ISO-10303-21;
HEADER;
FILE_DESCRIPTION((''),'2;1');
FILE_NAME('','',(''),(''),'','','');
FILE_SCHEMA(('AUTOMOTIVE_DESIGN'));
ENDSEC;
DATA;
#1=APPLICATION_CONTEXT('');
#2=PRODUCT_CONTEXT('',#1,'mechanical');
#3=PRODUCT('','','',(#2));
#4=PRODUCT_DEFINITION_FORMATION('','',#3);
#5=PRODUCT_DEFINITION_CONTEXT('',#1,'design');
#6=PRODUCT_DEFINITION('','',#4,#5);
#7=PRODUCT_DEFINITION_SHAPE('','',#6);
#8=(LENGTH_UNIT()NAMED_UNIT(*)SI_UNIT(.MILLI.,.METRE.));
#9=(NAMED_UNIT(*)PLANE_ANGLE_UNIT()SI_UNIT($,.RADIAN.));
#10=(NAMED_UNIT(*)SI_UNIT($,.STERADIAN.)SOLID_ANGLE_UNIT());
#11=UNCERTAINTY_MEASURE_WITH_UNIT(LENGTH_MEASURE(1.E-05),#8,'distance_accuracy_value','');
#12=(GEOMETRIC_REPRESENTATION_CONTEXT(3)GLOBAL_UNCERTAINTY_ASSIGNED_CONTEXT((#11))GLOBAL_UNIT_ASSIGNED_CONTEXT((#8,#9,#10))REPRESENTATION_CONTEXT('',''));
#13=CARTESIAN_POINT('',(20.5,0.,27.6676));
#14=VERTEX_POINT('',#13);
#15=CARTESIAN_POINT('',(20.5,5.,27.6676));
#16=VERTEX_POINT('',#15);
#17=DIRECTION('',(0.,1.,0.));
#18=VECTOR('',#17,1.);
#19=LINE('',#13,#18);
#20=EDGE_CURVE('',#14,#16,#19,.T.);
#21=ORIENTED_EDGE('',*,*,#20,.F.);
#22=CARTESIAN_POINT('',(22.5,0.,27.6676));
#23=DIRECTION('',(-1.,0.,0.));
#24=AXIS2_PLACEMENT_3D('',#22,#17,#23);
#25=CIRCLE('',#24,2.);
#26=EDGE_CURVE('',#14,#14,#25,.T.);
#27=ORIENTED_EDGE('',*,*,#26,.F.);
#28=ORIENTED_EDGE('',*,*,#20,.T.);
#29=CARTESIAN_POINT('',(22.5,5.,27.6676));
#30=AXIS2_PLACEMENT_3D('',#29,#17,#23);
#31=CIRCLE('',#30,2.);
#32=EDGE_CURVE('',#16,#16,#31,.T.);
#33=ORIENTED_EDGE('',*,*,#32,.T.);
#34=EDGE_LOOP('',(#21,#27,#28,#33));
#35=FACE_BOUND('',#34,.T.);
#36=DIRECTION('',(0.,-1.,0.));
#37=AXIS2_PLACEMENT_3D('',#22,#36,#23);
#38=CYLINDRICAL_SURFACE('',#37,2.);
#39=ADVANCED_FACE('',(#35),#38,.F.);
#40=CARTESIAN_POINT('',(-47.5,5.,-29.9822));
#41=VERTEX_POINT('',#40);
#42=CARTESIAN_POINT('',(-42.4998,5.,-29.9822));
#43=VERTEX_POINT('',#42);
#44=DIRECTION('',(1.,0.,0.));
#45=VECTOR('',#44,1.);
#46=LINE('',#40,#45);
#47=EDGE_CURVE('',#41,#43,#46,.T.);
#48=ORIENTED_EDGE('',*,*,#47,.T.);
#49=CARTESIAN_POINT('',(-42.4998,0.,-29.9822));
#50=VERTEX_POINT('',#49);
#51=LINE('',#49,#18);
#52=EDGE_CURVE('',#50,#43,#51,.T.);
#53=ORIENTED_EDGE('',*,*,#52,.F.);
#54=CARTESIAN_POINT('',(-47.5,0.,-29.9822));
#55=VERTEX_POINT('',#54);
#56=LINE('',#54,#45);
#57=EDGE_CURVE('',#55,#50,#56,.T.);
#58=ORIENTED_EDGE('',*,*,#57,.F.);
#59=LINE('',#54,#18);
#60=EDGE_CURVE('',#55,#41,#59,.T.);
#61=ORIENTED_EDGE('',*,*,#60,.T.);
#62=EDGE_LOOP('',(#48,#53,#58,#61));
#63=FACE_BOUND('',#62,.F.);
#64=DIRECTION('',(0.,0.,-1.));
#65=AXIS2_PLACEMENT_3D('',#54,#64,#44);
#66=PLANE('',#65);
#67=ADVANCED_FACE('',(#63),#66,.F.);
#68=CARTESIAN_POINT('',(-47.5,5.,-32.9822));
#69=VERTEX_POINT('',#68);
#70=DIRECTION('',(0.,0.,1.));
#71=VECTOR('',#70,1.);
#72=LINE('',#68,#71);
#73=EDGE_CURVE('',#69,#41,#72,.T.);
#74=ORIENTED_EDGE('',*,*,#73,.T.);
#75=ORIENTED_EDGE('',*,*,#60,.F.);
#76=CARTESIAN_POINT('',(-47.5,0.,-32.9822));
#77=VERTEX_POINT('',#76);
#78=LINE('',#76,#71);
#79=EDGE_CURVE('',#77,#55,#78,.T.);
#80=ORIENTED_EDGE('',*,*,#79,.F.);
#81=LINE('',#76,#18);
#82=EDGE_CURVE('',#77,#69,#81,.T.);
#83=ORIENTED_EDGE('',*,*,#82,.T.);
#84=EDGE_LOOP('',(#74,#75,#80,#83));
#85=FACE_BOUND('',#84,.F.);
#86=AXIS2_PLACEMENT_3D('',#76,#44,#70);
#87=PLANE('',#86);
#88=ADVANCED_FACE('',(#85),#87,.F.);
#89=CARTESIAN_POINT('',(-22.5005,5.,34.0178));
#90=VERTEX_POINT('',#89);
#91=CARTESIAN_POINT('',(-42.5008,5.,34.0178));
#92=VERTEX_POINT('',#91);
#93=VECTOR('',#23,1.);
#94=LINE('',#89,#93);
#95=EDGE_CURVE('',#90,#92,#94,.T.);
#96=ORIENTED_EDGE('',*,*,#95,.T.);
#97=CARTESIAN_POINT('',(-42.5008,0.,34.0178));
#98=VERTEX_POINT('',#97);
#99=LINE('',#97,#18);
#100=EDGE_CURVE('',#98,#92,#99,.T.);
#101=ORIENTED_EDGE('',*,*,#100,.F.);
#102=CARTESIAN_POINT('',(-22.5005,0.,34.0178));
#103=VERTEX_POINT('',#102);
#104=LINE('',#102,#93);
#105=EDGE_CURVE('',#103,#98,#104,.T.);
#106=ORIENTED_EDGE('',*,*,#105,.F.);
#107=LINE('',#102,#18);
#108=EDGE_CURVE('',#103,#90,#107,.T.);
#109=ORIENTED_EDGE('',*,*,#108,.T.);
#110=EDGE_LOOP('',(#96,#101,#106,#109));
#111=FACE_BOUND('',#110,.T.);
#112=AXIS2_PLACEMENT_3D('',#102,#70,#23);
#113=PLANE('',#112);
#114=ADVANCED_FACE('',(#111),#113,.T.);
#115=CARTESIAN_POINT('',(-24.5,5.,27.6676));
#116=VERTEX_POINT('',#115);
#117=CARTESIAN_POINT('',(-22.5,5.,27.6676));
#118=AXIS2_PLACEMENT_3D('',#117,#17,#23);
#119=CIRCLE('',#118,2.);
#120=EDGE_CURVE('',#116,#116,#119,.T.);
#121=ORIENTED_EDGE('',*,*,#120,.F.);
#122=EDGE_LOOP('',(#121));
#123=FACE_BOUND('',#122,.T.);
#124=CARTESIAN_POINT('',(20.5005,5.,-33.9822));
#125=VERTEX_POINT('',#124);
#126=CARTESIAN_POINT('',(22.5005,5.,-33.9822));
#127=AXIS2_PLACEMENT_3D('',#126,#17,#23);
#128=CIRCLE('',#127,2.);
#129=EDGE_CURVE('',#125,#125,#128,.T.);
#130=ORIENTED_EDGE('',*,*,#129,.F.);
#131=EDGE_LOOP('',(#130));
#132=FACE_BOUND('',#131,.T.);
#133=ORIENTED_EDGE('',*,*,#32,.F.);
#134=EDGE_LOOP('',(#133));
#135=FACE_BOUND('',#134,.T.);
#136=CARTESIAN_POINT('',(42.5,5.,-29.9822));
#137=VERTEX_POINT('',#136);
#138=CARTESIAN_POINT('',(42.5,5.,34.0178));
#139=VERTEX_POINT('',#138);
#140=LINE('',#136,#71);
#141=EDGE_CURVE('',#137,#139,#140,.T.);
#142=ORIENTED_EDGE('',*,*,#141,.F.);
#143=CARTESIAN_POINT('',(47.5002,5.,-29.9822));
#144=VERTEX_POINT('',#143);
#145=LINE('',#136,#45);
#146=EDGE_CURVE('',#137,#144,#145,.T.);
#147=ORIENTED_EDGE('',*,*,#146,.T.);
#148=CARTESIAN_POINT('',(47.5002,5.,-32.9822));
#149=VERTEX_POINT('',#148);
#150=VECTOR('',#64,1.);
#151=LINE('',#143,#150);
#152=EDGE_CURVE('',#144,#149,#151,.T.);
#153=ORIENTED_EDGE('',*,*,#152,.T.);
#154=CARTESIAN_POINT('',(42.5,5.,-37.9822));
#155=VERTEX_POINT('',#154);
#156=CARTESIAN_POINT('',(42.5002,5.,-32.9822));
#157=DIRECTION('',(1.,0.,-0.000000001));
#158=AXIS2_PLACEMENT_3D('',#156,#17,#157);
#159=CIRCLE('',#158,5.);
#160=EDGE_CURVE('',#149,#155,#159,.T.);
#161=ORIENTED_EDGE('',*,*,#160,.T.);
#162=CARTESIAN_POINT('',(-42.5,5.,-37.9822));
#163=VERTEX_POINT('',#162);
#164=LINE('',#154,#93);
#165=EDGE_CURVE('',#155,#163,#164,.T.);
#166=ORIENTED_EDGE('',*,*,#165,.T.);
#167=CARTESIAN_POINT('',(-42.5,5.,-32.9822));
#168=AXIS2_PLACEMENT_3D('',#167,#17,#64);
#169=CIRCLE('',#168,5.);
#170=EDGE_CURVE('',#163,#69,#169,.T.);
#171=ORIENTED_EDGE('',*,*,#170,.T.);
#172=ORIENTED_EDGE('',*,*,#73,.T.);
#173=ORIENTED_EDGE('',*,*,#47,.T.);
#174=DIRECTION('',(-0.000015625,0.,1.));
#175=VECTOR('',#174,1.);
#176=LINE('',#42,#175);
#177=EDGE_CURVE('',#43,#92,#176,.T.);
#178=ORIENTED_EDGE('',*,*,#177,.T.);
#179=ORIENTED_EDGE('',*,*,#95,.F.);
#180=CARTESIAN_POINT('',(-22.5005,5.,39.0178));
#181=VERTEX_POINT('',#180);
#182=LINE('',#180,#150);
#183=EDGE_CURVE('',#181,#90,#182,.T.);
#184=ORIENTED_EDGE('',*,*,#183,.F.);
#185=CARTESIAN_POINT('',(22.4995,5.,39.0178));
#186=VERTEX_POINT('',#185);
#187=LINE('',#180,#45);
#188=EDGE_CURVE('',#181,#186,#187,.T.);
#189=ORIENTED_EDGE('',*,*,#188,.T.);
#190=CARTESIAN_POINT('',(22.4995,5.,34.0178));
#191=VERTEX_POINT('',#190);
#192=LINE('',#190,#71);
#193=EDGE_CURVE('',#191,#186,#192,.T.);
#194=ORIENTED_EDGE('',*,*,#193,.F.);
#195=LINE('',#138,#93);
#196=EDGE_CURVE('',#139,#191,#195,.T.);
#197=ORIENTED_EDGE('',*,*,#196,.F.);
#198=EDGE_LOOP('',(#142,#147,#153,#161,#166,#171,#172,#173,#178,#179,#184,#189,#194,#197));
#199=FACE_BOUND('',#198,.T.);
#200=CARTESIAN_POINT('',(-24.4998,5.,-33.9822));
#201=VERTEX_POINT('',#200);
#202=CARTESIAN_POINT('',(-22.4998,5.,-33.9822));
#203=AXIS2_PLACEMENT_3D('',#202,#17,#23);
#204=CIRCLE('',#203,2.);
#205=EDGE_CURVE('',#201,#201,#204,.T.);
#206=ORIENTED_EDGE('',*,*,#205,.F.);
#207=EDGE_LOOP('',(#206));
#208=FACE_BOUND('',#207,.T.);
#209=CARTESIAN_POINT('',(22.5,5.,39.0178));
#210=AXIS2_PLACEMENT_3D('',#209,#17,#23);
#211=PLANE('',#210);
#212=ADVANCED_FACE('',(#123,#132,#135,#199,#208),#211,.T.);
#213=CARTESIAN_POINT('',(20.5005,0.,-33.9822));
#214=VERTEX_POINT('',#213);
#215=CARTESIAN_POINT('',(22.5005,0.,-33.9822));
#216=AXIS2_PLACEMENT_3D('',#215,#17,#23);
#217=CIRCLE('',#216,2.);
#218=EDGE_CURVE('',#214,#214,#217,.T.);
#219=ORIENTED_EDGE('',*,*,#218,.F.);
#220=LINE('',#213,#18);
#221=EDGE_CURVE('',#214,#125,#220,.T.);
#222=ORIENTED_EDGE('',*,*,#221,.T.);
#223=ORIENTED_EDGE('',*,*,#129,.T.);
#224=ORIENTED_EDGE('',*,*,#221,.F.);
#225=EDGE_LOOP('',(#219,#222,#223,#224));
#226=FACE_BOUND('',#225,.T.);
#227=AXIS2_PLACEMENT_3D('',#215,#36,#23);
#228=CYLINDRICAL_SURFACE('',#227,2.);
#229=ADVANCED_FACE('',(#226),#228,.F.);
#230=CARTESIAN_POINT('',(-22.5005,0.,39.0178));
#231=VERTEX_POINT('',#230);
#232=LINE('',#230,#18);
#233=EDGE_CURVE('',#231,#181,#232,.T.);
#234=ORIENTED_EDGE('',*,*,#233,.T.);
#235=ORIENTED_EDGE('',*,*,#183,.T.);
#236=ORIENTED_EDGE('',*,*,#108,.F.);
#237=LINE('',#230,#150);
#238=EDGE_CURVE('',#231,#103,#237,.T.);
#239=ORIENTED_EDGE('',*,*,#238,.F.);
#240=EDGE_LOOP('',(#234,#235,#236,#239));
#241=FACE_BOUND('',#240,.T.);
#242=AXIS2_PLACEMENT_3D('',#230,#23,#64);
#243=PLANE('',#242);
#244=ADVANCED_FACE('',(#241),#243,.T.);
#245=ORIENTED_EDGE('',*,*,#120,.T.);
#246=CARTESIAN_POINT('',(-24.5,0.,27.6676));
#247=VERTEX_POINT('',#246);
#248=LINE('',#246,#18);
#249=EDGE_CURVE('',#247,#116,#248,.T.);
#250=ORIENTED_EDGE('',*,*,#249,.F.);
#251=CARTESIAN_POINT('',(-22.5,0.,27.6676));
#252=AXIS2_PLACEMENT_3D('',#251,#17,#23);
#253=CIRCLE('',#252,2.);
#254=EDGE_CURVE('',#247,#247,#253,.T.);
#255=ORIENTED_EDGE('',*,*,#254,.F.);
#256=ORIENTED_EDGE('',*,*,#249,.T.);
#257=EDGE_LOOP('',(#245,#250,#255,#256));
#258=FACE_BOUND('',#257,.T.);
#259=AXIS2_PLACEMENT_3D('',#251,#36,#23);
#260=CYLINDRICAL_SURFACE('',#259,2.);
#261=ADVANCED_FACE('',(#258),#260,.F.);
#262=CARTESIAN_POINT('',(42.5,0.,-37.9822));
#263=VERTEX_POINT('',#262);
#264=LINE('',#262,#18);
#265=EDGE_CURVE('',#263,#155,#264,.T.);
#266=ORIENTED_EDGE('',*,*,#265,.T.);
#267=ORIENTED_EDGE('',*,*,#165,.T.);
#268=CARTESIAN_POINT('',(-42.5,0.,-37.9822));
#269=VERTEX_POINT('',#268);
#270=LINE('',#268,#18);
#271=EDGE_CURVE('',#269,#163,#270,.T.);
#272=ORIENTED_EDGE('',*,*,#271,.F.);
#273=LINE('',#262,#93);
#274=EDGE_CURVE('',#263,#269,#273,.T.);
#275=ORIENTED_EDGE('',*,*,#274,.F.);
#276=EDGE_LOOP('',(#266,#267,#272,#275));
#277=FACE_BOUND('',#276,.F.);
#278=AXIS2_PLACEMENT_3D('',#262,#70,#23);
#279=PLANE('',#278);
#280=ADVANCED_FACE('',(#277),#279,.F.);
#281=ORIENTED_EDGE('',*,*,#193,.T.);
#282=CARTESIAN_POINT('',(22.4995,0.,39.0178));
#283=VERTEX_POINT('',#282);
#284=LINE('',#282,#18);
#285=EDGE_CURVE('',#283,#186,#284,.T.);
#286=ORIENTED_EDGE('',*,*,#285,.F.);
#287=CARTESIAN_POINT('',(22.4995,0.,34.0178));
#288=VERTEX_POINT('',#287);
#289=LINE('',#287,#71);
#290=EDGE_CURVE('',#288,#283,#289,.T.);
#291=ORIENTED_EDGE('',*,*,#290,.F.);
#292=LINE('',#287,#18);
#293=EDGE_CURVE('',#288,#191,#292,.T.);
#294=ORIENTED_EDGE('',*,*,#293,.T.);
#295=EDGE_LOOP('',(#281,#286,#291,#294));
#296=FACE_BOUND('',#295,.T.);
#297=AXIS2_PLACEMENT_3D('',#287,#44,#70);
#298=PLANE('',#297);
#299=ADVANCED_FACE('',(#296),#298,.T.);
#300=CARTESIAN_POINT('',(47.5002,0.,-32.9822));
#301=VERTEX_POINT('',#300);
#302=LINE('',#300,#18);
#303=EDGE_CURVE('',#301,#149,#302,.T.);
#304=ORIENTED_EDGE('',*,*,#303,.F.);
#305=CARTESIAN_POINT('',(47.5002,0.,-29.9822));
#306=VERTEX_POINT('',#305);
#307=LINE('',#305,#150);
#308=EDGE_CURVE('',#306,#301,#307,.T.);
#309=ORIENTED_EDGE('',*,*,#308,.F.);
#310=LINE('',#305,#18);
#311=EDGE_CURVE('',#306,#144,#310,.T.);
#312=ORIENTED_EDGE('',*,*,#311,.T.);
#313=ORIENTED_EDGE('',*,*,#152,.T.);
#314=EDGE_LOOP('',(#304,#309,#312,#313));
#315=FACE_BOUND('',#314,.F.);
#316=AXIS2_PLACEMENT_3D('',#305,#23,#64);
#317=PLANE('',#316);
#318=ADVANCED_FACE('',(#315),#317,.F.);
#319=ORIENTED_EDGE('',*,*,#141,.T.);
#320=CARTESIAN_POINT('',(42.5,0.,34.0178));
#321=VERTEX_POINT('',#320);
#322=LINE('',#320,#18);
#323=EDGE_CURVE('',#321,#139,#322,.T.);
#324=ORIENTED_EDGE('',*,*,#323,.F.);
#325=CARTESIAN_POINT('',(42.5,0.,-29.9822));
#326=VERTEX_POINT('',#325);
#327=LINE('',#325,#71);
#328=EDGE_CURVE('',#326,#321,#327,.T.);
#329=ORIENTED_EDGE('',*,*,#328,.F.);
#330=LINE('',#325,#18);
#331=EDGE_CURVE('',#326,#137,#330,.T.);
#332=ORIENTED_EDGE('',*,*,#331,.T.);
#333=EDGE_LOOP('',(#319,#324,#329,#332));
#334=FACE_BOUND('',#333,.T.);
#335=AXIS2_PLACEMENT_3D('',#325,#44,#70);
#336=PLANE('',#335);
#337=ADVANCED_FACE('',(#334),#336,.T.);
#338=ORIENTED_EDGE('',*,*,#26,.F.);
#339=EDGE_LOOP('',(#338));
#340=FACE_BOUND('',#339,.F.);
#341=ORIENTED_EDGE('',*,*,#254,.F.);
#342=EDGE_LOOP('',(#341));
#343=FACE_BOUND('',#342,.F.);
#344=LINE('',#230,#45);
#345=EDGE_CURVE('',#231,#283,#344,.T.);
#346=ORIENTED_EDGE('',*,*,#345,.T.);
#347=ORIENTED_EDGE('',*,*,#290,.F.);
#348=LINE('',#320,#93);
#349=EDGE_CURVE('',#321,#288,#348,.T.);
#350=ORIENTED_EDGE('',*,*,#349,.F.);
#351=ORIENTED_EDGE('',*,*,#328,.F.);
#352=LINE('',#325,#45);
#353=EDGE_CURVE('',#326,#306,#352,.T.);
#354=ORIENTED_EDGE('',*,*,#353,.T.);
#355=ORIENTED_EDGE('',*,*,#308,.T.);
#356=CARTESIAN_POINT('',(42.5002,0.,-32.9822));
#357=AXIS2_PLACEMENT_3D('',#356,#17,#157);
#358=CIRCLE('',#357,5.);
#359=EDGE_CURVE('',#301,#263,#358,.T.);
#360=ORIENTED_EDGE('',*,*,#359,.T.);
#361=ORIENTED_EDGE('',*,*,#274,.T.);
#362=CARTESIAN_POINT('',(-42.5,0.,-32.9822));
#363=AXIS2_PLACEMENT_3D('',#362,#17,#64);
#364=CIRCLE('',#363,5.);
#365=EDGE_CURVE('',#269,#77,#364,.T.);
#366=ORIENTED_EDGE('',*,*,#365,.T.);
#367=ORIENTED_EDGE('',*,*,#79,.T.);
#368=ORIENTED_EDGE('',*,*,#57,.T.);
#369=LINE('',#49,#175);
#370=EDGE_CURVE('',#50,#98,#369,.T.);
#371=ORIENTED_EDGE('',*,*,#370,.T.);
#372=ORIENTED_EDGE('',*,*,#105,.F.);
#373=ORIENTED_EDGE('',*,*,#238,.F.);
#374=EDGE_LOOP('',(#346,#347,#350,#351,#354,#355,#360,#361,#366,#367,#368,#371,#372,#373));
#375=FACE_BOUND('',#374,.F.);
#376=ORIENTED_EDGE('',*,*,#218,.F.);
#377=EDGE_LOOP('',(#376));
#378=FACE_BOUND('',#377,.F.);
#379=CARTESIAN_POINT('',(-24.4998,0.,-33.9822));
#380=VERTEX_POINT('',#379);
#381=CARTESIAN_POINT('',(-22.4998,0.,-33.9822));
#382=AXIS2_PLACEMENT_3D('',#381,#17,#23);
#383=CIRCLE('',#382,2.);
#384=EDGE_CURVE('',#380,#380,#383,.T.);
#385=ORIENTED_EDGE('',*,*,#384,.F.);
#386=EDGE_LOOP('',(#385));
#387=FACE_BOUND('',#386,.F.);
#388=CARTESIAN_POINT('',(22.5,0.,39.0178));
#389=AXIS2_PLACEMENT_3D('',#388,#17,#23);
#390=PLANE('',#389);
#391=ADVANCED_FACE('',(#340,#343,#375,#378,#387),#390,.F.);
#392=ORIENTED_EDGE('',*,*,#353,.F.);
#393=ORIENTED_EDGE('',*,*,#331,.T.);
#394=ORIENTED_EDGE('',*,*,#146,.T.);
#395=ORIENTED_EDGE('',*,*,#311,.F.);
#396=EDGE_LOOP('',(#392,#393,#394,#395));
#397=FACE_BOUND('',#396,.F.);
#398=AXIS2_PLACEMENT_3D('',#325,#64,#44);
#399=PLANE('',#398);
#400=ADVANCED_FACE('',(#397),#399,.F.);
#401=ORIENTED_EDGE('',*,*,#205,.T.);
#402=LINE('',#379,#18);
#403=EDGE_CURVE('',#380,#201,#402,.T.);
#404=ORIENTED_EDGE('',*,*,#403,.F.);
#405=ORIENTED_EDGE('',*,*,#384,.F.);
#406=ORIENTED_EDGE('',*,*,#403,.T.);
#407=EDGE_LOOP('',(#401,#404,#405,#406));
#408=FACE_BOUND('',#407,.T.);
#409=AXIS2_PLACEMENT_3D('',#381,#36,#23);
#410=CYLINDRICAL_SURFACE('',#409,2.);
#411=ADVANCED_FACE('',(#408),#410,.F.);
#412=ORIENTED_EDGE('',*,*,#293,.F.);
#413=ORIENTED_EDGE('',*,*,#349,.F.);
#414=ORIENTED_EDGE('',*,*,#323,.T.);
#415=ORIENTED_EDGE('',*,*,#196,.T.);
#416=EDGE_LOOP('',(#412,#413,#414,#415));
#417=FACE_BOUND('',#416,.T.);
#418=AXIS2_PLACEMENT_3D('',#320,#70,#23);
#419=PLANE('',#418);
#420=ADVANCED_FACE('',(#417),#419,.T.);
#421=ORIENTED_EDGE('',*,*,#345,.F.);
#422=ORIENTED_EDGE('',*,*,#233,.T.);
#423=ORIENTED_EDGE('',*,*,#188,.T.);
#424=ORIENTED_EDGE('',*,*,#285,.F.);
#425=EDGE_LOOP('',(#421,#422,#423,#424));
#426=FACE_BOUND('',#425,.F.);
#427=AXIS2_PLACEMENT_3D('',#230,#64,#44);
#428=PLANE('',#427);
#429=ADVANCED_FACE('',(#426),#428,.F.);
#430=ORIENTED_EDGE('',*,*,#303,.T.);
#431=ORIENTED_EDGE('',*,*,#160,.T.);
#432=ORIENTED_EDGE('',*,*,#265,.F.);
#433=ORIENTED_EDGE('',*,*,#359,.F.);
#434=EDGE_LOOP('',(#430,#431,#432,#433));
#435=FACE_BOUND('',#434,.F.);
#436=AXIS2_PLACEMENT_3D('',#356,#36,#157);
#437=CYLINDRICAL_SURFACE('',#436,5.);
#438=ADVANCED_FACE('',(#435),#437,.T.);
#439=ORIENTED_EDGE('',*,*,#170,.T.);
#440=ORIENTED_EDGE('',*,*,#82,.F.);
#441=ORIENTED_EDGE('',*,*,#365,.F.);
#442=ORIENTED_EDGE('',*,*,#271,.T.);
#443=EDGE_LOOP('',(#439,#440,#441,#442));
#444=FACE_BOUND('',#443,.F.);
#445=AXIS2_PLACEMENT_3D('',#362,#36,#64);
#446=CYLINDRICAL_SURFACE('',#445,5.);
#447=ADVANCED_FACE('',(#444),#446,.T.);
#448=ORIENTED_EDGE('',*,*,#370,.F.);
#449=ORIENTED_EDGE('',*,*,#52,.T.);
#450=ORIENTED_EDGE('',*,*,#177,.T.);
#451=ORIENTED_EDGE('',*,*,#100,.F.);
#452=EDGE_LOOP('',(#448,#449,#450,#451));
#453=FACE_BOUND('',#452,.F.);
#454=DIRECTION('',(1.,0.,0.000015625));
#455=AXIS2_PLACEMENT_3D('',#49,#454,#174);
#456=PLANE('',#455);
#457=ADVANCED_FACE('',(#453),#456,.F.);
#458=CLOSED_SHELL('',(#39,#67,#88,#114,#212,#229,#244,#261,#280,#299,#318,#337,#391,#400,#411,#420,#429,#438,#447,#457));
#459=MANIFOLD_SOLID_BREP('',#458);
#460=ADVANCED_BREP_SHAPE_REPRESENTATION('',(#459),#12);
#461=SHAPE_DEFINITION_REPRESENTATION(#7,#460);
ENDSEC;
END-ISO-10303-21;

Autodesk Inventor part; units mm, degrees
ref_plane "YZ Plane" through (0, 0, 0) normal (1, 0, 0) x (0, 1, 0)
ref_plane "XZ Plane" through (0, 0, 0) normal (0, 1, 0) x (-1, 0, 0)
ref_plane "XY Plane" through (0, 0, 0) normal (0, 0, 1) x (1, 0, 0)
sketch "Sketch1" plane through (22.5, 0, 39.0178) normal (0, 1, 0) x (-1, 0, 0)
  line L0 (0.0005, -5) -> (0.0005, 0)
  line L1 (45.0005, 0) -> (0.0005, 0)
  line L2 (45.0005, 0) -> (45.0005, -5)
  circle A0 centre (-0.0005, -73) radius 2
  circle A1 centre (0, -11.3502) radius 2
  circle A2 centre (45, -11.3502) radius 2
  circle A3 centre (44.9998, -73) radius 2
  line L3 (-20, -5) -> (0.0005, -5)
  line L4 (45.0005, -5) -> (65.0008, -5)
  line L5 (-20, -69) -> (-25.0002, -69)
  line L6 (-25.0002, -69) -> (-25.0002, -72)
  arc A4 (-25.0002, -72) -> (-20, -77) centre (-20.0002, -72) ccw
  line L7 (-20, -77) -> (65, -77)
  arc A5 (65, -77) -> (70, -72) centre (65, -72) ccw
  line L8 (70, -72) -> (70, -69)
  line L9 (70, -69) -> (64.9998, -69)
  line L10 (-20, -69) -> (-20, -5)
  line L11 (64.9998, -69) -> (65.0008, -5)
  point P0 (-25.0005, -77)
  point P1 (11.4357, -9.3722)
  dimension "d5" = 4
  dimension "d1" = 4
  dimension "d0" = 4
extrude "Bottom Base" add sketch "Sketch1" along normal blind 5
properties part number "Bottom Base"
